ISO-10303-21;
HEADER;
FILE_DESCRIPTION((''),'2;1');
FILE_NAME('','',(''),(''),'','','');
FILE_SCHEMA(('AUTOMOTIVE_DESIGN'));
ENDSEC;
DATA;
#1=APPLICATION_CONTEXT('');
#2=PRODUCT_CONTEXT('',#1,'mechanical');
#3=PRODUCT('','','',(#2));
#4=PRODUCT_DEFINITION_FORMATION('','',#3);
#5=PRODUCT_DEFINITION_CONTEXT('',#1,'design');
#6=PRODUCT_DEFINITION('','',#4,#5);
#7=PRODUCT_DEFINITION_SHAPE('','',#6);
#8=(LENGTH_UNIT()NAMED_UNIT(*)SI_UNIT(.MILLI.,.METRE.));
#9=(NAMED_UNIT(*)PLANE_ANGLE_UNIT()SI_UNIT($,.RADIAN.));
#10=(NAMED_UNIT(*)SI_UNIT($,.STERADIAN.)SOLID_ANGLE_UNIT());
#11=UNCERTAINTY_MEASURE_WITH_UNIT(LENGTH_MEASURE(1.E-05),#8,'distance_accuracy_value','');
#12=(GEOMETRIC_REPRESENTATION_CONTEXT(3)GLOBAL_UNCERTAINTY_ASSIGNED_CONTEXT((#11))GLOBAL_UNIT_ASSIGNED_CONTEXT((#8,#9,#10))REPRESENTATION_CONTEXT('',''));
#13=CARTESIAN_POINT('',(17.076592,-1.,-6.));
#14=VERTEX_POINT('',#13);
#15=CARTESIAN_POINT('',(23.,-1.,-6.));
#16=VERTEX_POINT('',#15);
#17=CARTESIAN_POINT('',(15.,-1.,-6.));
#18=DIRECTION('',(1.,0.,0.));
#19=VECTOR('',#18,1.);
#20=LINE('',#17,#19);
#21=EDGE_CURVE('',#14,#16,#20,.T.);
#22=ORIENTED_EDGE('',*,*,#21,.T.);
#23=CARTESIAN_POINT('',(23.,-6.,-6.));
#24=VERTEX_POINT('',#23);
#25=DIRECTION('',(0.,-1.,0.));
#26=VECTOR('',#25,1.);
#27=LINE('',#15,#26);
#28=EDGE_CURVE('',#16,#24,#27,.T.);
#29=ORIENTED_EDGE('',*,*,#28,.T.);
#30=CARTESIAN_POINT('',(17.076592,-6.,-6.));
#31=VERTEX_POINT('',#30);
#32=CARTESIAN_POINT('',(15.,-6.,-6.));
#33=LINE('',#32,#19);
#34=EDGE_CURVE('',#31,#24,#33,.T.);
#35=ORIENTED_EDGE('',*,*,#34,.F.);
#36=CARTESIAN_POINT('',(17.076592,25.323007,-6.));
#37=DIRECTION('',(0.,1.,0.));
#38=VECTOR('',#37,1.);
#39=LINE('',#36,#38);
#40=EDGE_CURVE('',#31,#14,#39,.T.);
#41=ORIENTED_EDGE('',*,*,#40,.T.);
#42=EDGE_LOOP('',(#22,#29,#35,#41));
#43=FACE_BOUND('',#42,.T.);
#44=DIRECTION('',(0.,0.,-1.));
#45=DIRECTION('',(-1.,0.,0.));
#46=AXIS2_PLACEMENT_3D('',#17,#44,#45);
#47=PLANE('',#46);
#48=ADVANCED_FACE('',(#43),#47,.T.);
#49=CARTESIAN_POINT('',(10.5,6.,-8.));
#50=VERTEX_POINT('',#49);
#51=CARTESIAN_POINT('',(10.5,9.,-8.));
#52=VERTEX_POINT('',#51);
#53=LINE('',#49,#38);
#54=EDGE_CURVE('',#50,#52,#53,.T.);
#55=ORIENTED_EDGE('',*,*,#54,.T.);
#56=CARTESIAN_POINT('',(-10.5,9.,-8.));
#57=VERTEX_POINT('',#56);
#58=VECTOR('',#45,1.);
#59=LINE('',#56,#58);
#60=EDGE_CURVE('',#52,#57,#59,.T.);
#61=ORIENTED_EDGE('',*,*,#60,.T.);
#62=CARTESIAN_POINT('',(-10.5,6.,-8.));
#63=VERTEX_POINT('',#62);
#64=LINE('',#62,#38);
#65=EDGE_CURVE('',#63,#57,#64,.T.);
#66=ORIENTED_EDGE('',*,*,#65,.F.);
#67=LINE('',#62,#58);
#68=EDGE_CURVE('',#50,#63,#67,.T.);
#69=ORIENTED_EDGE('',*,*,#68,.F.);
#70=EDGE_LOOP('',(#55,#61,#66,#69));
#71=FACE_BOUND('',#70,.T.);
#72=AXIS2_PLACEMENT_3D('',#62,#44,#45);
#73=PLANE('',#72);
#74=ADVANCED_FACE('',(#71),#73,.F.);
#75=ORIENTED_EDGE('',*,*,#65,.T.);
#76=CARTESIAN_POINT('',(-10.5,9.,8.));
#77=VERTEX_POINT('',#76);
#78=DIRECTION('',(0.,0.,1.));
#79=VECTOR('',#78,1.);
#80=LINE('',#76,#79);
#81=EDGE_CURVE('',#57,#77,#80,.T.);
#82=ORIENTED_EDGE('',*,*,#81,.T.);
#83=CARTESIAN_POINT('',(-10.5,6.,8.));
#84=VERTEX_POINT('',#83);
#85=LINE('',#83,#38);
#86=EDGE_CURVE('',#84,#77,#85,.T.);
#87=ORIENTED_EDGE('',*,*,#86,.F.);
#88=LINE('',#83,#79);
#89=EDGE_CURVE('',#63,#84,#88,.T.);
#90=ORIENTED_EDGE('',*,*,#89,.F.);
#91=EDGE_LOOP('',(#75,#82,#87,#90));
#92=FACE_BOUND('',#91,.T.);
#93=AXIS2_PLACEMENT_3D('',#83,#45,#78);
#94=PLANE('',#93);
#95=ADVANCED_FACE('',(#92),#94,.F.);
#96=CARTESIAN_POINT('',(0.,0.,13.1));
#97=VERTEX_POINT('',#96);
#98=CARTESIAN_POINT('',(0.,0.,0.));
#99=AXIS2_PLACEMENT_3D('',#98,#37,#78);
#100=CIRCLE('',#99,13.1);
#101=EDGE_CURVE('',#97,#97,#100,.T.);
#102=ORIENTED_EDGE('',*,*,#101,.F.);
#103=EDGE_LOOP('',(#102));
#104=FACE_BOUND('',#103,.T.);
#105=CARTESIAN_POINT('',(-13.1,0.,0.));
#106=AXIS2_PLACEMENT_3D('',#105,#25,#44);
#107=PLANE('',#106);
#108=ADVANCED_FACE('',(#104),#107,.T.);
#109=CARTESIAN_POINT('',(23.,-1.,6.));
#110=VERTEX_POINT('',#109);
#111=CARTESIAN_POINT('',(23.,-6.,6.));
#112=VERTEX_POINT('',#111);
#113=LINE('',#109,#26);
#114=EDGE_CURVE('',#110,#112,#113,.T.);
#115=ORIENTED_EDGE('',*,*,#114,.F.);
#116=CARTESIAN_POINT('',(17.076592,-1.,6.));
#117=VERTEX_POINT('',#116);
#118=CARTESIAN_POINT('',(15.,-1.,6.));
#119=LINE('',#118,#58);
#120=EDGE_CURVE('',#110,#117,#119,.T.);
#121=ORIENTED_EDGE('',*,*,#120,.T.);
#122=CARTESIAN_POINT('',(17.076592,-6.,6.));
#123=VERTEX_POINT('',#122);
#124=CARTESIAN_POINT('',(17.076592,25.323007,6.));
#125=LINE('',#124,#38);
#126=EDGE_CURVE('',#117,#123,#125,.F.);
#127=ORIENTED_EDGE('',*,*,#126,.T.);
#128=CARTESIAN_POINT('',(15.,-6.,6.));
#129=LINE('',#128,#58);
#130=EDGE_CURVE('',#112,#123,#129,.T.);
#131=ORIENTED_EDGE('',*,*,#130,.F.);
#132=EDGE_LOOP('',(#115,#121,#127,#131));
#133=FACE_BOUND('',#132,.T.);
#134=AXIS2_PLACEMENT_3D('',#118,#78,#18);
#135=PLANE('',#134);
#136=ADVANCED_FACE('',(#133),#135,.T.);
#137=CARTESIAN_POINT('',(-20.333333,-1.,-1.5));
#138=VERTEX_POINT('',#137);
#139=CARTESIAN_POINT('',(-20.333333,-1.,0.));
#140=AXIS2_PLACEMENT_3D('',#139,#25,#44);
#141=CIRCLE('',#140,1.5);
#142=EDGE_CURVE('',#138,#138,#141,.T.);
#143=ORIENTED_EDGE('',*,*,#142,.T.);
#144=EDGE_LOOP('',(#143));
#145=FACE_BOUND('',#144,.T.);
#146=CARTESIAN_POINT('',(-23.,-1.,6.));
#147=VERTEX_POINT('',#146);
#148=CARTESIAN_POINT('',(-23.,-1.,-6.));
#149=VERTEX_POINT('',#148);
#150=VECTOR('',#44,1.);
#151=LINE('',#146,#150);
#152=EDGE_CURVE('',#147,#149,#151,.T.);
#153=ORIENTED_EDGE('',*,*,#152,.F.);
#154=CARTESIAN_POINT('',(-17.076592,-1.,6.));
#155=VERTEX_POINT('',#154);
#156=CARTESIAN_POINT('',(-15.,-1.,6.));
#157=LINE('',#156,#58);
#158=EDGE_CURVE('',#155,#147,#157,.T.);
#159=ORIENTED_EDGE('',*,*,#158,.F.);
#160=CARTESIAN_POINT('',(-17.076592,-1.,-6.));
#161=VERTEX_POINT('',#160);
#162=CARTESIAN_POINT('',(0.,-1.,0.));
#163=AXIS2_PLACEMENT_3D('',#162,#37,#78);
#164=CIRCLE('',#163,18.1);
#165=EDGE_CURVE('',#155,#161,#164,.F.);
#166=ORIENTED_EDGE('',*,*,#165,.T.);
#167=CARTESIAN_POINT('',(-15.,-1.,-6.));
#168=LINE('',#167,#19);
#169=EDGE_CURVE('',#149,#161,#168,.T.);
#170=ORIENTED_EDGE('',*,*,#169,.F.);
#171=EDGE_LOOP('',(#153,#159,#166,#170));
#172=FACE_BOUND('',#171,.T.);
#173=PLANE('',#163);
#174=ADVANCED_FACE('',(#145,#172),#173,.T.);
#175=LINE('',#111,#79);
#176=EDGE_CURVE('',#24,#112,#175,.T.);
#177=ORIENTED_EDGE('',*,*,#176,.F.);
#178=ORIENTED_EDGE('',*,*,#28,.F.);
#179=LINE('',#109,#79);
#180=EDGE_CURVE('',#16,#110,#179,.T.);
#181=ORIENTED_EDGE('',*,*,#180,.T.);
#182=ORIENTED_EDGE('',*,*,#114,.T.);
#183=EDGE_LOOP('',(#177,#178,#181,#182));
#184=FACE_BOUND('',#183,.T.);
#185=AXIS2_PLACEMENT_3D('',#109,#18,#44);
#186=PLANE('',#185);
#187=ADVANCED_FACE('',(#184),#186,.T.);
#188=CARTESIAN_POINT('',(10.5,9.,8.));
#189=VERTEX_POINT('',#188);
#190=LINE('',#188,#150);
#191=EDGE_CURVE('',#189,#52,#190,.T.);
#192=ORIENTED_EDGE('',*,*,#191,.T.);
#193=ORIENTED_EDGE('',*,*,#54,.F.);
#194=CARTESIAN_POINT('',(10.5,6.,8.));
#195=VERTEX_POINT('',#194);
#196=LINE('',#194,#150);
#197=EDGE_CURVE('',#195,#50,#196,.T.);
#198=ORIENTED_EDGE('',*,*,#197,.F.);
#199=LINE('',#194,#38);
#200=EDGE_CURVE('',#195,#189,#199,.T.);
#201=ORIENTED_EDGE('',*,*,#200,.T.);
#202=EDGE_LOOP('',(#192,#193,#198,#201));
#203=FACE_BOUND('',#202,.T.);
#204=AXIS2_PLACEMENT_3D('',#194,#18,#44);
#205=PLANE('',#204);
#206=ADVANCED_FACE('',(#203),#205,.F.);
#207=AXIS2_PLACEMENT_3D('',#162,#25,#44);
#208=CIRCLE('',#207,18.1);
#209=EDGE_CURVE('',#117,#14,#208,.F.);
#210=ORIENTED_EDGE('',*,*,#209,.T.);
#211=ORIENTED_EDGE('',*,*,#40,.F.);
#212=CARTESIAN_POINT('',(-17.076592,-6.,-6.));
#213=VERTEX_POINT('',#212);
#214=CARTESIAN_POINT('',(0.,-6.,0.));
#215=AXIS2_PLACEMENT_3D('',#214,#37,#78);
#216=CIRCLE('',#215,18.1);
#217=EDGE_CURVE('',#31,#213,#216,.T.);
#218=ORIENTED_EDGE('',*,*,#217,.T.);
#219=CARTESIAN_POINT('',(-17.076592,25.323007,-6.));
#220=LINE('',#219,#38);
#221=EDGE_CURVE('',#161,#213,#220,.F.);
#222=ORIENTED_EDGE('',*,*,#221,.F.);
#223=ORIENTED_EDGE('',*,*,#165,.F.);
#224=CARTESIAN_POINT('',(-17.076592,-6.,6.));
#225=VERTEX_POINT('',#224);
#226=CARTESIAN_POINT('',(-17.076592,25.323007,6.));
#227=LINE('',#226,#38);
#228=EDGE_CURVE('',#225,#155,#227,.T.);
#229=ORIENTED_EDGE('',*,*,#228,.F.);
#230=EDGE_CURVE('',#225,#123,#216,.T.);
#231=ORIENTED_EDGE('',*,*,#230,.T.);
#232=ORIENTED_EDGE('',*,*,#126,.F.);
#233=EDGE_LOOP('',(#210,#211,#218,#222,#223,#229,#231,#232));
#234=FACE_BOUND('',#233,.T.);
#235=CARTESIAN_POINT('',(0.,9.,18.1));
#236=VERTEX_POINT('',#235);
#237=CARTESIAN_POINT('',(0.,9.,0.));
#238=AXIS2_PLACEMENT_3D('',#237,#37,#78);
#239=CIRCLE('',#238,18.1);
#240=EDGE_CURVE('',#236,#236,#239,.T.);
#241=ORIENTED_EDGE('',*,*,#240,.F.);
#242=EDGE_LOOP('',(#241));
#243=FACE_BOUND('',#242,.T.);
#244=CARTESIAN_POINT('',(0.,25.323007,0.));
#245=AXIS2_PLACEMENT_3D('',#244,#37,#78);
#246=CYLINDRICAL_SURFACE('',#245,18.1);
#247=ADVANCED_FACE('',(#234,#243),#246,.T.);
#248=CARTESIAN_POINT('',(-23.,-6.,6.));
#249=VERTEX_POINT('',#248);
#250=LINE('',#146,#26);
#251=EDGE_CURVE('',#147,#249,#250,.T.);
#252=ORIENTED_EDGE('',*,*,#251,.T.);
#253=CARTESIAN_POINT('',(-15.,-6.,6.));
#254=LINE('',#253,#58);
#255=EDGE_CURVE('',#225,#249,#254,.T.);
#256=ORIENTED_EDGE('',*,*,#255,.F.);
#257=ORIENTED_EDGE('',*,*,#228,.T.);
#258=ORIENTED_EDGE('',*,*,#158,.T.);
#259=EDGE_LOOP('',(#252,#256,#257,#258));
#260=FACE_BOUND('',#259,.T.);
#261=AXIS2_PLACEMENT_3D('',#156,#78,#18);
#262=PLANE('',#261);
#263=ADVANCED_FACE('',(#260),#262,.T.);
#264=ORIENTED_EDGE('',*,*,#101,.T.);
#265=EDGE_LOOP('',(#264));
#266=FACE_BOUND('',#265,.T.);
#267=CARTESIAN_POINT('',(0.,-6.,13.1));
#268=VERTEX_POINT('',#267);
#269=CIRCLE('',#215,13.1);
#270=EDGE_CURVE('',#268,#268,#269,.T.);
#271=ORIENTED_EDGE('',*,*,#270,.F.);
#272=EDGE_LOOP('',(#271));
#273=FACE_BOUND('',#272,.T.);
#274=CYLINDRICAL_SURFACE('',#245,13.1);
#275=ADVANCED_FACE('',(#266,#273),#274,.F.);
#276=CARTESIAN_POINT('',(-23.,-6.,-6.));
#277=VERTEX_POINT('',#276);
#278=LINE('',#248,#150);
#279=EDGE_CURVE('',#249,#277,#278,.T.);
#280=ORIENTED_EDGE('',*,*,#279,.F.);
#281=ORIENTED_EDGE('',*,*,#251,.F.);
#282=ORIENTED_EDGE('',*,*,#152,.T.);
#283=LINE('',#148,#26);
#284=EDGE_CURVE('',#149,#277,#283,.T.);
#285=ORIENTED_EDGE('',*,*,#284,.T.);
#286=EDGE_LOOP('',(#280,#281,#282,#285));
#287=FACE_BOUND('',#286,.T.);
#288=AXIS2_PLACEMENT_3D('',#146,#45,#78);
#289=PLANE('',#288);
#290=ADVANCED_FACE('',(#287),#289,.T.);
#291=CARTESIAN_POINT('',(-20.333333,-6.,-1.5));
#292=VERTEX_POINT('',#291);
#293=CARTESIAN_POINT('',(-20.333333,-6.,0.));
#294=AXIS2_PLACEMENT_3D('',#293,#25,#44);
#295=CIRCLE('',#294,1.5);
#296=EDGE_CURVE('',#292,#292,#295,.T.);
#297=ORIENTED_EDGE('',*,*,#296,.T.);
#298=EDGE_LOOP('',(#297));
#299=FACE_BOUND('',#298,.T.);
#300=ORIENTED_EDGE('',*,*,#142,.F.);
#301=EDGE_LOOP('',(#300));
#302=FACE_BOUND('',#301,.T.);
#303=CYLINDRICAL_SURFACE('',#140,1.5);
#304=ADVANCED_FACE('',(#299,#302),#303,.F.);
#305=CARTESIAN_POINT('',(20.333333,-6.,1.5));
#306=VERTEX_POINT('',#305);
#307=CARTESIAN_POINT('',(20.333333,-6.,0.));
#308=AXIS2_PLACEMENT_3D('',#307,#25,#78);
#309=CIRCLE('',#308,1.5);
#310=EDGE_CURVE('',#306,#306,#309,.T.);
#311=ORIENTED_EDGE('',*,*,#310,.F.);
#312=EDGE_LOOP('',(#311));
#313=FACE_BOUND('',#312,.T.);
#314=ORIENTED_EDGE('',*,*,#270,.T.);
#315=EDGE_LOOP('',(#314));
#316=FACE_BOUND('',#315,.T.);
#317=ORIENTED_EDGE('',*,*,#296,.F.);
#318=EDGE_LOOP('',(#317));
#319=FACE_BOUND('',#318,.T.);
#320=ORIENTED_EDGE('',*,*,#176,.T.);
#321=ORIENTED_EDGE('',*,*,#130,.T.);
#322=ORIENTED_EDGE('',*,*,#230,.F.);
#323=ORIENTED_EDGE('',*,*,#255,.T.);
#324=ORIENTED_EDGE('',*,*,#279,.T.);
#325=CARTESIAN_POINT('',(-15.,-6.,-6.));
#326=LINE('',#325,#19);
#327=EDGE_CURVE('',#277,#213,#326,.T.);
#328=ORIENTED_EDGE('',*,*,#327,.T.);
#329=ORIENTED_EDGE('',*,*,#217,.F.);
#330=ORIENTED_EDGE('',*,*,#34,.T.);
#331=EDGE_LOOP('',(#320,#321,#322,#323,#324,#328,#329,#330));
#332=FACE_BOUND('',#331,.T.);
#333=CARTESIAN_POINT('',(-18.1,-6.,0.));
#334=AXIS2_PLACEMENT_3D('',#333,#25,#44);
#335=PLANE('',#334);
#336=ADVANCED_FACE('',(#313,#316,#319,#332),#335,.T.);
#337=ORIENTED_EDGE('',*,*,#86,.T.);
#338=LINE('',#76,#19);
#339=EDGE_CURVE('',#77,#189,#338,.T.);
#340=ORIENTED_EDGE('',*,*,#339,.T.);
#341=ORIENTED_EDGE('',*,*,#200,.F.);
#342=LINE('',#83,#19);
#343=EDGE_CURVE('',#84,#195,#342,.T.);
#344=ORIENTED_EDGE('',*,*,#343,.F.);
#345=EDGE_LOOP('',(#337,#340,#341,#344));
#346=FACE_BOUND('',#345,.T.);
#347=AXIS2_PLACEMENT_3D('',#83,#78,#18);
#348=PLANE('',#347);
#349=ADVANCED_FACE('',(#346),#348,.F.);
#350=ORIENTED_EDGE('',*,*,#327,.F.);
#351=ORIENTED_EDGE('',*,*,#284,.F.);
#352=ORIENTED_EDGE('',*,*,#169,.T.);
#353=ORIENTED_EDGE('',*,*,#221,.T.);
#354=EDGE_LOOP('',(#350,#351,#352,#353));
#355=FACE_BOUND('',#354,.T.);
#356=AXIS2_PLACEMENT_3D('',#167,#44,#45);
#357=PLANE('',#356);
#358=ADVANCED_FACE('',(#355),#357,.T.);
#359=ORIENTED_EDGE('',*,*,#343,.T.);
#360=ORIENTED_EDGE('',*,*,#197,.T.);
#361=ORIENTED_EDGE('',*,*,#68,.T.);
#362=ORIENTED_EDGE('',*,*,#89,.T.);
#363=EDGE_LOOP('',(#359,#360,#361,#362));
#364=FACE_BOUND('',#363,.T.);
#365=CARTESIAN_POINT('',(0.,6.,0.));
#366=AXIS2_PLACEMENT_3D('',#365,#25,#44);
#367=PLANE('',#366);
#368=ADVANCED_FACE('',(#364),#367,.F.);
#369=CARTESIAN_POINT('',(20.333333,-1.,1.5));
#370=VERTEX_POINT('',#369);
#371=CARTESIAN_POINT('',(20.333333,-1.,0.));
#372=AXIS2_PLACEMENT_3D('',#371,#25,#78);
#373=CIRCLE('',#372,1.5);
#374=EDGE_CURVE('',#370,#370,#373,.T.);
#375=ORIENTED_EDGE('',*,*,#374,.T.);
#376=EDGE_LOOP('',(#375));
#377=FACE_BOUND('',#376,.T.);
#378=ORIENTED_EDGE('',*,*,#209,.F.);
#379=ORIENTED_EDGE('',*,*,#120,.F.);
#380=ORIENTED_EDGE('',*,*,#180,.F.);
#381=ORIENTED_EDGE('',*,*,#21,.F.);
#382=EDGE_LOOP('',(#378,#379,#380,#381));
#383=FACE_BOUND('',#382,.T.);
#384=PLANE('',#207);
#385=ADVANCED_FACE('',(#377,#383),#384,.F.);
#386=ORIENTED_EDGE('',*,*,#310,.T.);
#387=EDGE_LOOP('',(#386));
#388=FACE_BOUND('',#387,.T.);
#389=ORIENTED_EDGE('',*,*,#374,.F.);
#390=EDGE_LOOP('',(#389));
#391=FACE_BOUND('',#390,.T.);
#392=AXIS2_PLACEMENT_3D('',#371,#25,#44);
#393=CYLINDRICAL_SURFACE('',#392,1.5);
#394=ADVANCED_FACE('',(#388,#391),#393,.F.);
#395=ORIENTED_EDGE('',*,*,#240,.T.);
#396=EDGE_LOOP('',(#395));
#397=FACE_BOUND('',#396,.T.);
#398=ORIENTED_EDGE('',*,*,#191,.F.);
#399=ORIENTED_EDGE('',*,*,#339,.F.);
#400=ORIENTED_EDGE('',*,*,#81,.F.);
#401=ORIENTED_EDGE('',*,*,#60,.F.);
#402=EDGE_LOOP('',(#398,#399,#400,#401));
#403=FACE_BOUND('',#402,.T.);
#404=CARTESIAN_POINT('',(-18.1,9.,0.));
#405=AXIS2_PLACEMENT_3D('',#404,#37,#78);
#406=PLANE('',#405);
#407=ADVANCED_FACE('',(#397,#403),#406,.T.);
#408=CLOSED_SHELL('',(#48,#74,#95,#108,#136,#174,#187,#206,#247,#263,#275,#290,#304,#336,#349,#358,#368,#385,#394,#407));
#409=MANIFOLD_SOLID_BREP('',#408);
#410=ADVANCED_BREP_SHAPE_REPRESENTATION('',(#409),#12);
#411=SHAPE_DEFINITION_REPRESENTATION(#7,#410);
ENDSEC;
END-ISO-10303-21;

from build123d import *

# Parameters (mm, degrees)
CROQUIS2_W              = 21
CROQUIS2_H              = 16
CORTAR_EXTRUIR1_DEPTH   = 3
CROQUIS4_W              = 8
CROQUIS4_H              = 12
CROQUIS4_R              = 1.5
SALIENTE_EXTRUIR1_DEPTH = 5


with BuildPart() as part:
    # Croquis1 → Revolución1 (revolve)
    with BuildSketch(Plane.XY, mode=Mode.PRIVATE) as revoluci_n1_sk:
        Polygon((-18.1, 9), (-18.1, -6), (-13.1, -6), (-13.1, 0), (0, 0), (0, 9), align=None)
    revolve(revoluci_n1_sk.sketch.rotate(Axis((0, 25.323006639, 0), (0, -1, 0)), 270), axis=Axis((0, 25.323006639, 0), (0, -1, 0)))

    # Croquis2 → Cortar-Extruir1 (cut)
    with BuildSketch(Plane(origin=(0, 9, 0), x_dir=(1, 0, 0), z_dir=(0, 1, 0))):
        Rectangle(CROQUIS2_W, CROQUIS2_H)
    extrude(amount=-CORTAR_EXTRUIR1_DEPTH, mode=Mode.SUBTRACT)

    # Croquis4 → Saliente-Extruir1 (add)
    # profile 1 of 2: a face of its own
    with BuildSketch(Plane.XZ.offset(6)):
        with Locations((-19, 0)):
            Rectangle(CROQUIS4_W, CROQUIS4_H)
        with Locations(Location((-20.333333333, 0, 0), (0, 0, 270))):
            Circle(CROQUIS4_R, mode=Mode.SUBTRACT)
    # profile 2 of 2: a face of its own
    with BuildSketch(Plane.XZ.offset(6)):
        with Locations((19, 0)):
            Rectangle(CROQUIS4_W, CROQUIS4_H)
        with Locations(Location((20.333333333, 0, 0), (0, 0, 90))):
            Circle(CROQUIS4_R, mode=Mode.SUBTRACT)
    extrude(amount=-SALIENTE_EXTRUIR1_DEPTH)


solid = part.part
